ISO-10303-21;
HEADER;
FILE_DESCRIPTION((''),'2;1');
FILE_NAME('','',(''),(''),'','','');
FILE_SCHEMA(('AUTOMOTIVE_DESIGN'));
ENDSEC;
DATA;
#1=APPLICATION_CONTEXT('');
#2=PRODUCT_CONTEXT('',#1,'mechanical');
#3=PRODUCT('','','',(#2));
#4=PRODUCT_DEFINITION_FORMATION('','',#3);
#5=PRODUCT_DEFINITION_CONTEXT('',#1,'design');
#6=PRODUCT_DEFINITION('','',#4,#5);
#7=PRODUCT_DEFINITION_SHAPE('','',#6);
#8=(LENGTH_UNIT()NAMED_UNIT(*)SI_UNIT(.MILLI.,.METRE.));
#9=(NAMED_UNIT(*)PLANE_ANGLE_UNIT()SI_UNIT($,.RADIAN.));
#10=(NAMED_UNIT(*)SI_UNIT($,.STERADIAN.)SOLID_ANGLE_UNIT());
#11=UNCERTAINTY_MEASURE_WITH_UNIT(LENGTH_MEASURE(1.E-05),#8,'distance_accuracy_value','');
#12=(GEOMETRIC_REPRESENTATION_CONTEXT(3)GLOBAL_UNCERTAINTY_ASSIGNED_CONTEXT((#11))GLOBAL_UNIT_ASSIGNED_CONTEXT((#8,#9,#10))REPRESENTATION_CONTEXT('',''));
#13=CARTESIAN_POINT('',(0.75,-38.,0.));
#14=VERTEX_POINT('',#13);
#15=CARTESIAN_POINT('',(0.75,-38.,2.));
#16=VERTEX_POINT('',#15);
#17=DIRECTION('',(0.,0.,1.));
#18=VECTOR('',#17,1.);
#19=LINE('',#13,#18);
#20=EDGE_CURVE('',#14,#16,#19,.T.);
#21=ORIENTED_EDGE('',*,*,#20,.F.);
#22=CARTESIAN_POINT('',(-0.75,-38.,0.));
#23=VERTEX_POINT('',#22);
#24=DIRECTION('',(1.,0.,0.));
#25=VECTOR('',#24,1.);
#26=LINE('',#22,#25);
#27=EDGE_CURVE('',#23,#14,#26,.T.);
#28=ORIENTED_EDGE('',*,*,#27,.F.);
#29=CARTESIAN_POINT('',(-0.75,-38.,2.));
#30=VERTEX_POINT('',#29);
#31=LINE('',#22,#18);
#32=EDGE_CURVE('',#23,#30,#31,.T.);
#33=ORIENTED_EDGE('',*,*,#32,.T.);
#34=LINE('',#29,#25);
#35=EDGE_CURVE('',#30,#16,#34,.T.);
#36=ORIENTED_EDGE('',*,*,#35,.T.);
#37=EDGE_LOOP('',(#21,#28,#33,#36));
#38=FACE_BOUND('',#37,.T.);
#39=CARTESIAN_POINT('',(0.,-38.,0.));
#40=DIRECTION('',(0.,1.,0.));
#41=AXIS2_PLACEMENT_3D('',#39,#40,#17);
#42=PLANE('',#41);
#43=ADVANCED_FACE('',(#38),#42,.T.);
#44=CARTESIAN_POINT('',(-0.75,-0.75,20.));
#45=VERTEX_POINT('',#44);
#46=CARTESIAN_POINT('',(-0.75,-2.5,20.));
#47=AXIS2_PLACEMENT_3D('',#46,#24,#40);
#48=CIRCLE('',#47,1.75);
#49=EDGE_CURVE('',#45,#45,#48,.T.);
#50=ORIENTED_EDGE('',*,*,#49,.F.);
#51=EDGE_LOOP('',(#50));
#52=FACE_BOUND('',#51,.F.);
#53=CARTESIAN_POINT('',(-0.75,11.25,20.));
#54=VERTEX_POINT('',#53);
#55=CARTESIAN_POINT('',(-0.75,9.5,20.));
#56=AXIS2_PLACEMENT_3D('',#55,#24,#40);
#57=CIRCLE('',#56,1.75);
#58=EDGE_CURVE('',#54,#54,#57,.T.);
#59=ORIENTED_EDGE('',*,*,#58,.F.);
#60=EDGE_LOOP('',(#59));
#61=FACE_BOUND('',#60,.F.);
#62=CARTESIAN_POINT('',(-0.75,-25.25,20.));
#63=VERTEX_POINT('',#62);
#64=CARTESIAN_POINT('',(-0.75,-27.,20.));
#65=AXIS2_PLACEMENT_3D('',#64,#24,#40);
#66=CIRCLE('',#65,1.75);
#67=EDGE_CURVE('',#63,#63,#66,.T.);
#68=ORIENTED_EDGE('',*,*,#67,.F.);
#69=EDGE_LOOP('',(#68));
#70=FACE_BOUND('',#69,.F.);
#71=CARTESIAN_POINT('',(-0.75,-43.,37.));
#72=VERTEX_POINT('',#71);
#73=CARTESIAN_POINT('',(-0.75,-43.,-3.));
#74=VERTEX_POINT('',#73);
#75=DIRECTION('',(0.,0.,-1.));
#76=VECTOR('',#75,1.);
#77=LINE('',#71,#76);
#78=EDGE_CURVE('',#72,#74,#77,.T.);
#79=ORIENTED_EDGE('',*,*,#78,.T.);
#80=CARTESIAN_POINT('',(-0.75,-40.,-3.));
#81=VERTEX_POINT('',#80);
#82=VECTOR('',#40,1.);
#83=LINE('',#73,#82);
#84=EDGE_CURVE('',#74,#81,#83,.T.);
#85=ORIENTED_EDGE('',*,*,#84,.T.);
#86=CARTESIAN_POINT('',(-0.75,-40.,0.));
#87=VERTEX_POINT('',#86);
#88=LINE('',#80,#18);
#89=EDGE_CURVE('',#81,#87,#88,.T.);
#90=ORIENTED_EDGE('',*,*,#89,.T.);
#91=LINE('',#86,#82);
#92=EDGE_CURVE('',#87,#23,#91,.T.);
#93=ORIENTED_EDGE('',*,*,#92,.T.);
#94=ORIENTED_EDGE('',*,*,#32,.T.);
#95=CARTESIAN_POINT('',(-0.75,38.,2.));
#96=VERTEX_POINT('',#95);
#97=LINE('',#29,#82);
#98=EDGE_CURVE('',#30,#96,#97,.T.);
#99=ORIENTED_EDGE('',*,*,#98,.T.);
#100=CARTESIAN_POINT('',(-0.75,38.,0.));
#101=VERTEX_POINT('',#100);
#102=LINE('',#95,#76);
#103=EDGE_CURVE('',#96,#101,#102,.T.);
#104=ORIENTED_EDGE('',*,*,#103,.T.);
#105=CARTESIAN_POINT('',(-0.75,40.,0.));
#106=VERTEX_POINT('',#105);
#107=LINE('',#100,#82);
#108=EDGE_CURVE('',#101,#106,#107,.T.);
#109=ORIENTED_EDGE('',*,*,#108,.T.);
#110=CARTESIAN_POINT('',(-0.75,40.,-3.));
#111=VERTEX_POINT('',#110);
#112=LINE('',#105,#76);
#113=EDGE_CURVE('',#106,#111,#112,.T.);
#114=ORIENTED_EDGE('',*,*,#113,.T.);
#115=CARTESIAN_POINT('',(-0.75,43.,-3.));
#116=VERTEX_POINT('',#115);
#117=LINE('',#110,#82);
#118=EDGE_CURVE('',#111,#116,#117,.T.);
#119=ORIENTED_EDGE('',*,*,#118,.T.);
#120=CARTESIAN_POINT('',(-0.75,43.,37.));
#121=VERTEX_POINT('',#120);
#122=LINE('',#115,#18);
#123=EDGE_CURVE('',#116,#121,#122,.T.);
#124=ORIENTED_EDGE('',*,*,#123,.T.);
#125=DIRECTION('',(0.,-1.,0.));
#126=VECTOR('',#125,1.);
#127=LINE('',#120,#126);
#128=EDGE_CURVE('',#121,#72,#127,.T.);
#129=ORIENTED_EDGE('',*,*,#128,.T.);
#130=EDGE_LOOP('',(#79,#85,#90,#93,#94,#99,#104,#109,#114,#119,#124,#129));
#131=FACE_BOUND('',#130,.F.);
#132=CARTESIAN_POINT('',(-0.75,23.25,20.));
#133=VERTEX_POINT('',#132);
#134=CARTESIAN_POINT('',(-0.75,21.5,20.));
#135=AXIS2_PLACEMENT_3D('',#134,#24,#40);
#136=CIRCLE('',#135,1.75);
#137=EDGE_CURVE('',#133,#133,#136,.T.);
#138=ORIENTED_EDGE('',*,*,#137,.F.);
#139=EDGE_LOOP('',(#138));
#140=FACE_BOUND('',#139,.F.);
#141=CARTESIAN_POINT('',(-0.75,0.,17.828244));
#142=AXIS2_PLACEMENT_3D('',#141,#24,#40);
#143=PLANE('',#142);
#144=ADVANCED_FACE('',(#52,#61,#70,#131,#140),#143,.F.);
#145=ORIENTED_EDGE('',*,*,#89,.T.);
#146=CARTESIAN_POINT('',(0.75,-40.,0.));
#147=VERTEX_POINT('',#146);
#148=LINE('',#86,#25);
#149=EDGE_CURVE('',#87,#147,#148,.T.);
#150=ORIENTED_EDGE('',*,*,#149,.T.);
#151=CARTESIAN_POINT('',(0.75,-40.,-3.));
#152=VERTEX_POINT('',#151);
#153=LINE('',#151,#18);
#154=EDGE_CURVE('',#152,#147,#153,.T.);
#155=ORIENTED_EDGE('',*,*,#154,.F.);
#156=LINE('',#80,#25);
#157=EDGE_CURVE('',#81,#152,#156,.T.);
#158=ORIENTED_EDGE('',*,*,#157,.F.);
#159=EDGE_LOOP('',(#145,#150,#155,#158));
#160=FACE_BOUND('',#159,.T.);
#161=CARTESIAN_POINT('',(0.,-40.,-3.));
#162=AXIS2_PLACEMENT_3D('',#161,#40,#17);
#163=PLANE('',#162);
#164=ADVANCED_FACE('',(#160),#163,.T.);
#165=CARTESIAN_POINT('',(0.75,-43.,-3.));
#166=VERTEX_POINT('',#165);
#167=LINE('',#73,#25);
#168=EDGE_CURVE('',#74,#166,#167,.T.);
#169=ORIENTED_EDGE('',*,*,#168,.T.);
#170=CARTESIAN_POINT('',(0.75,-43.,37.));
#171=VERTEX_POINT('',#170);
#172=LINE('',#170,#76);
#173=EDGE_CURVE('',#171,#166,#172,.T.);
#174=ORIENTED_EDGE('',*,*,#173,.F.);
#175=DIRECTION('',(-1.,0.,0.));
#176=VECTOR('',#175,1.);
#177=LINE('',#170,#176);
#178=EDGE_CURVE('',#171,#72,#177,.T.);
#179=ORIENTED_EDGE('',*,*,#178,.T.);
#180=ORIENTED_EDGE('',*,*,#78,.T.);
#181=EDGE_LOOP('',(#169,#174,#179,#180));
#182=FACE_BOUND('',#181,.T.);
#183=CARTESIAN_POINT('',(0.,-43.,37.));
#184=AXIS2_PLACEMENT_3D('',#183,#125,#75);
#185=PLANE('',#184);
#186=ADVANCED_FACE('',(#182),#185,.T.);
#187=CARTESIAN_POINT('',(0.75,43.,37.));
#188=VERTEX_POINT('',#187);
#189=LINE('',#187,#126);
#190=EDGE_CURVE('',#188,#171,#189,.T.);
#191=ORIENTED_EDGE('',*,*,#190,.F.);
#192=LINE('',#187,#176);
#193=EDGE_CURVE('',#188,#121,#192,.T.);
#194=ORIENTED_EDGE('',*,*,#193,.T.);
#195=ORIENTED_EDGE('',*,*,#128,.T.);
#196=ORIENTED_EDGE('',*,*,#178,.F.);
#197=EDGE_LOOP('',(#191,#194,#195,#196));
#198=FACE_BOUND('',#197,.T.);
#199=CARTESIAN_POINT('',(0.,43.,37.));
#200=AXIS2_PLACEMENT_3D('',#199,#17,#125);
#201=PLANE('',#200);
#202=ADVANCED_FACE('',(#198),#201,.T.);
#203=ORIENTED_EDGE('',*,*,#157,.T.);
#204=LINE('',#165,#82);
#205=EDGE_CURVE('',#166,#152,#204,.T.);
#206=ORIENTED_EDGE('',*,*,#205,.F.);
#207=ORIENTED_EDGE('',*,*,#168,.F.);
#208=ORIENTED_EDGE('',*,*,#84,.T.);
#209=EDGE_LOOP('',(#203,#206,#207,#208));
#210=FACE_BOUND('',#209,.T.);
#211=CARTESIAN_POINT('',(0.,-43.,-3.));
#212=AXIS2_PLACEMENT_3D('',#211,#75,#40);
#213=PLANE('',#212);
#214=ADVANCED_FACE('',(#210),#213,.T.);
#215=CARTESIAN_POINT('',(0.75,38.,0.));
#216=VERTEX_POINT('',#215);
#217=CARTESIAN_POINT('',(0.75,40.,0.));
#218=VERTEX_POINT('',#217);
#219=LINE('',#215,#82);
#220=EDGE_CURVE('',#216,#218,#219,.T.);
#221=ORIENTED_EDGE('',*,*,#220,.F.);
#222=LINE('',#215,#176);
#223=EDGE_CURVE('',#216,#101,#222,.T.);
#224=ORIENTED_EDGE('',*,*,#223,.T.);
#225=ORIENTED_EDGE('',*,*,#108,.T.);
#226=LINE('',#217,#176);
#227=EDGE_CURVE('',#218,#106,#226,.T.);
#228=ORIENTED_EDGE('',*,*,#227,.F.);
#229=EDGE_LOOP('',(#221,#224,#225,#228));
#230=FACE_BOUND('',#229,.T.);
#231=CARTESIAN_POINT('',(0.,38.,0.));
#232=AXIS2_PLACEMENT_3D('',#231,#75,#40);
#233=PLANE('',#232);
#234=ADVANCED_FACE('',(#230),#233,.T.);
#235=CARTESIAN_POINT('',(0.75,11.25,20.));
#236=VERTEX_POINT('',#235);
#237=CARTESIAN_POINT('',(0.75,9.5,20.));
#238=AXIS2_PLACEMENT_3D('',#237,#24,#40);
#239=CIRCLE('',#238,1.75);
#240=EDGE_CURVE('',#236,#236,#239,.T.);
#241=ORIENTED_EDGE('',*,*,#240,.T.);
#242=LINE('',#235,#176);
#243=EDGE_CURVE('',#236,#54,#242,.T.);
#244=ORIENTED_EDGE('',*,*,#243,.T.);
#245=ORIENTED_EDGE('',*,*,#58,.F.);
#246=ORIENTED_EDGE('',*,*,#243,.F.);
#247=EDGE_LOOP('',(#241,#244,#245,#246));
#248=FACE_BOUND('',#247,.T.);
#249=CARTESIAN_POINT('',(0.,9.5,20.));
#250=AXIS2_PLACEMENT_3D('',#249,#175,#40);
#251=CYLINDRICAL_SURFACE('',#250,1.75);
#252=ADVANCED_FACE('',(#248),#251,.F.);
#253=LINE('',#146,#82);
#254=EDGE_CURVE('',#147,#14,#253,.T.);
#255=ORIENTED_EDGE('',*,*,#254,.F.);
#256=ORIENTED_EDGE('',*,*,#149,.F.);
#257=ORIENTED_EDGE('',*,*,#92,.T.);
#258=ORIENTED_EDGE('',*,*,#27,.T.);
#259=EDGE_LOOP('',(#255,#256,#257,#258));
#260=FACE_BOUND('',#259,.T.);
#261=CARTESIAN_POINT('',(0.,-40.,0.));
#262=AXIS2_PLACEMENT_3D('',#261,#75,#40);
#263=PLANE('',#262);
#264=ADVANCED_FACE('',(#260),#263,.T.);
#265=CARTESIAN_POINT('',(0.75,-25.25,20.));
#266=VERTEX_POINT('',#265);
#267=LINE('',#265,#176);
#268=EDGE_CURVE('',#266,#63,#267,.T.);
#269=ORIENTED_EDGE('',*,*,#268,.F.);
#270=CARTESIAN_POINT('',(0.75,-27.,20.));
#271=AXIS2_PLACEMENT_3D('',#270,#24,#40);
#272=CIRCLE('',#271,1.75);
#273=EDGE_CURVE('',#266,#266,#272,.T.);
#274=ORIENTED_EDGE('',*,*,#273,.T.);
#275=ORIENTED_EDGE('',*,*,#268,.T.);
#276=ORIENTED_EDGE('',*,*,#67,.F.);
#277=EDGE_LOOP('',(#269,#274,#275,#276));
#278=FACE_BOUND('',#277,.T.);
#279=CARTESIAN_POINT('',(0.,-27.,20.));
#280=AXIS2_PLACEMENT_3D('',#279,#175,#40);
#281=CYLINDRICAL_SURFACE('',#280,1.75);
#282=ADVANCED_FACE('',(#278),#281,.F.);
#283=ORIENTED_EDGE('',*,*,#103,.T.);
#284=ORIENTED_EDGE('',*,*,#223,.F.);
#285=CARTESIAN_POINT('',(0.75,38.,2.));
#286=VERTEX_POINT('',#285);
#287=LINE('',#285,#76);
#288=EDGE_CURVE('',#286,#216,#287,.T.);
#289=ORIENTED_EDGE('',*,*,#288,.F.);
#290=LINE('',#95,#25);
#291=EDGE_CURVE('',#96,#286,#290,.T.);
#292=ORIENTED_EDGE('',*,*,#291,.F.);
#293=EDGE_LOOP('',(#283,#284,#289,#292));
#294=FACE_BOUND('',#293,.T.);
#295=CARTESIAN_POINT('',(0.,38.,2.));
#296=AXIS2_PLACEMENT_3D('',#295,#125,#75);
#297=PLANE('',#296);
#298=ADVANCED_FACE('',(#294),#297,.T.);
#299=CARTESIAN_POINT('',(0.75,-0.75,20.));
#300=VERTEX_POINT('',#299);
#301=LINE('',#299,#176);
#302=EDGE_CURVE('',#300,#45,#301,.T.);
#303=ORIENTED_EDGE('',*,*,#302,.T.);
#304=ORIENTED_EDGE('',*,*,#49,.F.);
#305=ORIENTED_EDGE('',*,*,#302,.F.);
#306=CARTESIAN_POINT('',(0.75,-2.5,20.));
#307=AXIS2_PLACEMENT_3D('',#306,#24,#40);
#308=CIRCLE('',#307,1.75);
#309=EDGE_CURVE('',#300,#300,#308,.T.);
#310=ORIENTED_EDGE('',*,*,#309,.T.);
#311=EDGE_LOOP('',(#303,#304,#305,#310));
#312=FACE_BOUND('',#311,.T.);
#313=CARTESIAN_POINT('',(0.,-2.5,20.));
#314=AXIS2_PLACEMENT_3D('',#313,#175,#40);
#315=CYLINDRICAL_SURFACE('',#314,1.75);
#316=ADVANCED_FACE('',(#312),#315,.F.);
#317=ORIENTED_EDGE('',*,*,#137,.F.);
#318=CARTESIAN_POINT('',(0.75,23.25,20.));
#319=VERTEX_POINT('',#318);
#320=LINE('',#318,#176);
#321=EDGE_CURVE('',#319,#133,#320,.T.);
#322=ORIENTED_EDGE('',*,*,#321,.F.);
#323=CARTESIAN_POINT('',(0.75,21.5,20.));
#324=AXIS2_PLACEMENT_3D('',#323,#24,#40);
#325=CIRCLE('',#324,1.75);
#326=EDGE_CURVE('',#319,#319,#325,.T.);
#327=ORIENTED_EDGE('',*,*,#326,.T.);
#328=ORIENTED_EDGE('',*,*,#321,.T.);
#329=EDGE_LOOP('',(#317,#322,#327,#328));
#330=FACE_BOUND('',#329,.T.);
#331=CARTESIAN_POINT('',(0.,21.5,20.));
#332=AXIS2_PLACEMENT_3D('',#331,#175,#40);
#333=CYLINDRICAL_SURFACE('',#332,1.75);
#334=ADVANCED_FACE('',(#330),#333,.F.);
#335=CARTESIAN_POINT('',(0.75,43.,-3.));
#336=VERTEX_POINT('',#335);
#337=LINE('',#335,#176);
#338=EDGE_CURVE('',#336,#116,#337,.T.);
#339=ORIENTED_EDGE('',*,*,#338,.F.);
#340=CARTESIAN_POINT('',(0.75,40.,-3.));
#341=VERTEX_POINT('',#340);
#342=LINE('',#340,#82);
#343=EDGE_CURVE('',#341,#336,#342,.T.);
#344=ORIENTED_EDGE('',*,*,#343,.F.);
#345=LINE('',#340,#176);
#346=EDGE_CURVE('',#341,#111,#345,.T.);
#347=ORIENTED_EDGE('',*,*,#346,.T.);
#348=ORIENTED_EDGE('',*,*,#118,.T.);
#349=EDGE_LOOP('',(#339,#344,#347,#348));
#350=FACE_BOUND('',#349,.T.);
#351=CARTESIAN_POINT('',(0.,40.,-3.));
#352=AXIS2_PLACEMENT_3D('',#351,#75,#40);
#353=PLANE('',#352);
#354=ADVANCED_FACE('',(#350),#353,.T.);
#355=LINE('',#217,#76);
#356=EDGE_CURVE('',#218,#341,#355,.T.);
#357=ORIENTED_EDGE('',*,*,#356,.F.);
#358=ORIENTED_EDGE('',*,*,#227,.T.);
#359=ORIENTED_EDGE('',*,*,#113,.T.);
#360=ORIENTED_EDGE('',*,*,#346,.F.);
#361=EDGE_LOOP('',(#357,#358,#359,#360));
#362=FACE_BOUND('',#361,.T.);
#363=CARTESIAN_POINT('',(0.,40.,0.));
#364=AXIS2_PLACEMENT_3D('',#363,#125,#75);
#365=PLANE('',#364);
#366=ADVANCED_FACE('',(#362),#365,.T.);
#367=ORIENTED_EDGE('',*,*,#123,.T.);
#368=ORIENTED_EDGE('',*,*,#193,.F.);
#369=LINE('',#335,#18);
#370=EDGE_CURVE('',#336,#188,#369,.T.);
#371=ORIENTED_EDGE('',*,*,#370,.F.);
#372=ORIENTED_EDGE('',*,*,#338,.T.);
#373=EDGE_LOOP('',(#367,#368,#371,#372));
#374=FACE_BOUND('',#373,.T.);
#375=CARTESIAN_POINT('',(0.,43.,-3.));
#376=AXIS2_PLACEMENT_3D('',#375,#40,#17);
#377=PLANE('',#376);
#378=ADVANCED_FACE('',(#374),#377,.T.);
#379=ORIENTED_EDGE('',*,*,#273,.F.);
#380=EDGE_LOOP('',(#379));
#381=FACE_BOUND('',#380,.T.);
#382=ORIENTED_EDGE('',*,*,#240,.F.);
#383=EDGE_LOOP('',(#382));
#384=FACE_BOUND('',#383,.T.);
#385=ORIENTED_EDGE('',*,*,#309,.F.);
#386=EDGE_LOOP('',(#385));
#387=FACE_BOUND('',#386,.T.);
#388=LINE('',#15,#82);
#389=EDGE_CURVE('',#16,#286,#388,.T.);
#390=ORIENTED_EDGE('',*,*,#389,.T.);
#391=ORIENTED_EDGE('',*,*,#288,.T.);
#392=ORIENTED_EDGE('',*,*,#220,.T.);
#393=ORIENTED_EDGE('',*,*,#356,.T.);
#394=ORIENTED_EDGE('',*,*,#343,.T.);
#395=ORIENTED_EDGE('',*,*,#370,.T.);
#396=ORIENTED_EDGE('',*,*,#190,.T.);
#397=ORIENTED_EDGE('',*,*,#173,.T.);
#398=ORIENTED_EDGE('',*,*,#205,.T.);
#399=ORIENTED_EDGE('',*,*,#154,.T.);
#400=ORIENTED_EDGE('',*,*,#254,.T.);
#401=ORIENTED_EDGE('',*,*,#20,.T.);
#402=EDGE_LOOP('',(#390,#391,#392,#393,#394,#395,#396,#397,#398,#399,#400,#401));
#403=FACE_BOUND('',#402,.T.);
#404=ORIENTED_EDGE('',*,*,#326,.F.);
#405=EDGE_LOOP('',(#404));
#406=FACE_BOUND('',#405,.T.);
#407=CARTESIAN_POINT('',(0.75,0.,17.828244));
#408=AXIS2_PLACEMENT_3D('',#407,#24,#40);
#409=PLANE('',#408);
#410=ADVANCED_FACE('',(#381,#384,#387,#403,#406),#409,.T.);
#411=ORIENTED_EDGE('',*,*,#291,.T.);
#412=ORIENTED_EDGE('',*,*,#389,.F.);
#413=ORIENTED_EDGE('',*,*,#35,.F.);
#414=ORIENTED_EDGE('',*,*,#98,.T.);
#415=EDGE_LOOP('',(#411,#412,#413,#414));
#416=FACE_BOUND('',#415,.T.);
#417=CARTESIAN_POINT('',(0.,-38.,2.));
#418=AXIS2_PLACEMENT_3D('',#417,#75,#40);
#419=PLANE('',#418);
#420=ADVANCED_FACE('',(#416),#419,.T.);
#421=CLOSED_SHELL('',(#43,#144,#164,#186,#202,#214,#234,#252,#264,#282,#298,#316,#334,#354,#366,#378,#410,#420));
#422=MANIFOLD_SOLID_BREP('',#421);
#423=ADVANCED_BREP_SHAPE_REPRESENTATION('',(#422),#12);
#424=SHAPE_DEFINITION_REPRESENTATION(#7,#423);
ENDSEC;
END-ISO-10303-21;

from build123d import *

# Parameters (mm, degrees)
F0_R     = 1.75
F1_DEPTH = 0.75


with BuildPart() as f1:
    # F0 (on Right) → F1 (new body, symmetric)
    with BuildSketch(Plane.YZ):
        Polygon((0, 37), (-43, 37), (-43, -3), (-40, -3), (-40, 0), (-38, 0), (-38, 2), (0, 2), (38, 2), (38, 0), (40, 0), (40, -3), (43, -3), (43, 37), align=None)
        with Locations((-27, 20)):
            Circle(F0_R, mode=Mode.SUBTRACT)
        with Locations((-2.5, 20)):
            Circle(F0_R, mode=Mode.SUBTRACT)
        with Locations((9.5, 20)):
            Circle(F0_R, mode=Mode.SUBTRACT)
        with Locations((21.5, 20)):
            Circle(F0_R, mode=Mode.SUBTRACT)
    extrude(amount=F1_DEPTH, both=True)


solid = f1.part
